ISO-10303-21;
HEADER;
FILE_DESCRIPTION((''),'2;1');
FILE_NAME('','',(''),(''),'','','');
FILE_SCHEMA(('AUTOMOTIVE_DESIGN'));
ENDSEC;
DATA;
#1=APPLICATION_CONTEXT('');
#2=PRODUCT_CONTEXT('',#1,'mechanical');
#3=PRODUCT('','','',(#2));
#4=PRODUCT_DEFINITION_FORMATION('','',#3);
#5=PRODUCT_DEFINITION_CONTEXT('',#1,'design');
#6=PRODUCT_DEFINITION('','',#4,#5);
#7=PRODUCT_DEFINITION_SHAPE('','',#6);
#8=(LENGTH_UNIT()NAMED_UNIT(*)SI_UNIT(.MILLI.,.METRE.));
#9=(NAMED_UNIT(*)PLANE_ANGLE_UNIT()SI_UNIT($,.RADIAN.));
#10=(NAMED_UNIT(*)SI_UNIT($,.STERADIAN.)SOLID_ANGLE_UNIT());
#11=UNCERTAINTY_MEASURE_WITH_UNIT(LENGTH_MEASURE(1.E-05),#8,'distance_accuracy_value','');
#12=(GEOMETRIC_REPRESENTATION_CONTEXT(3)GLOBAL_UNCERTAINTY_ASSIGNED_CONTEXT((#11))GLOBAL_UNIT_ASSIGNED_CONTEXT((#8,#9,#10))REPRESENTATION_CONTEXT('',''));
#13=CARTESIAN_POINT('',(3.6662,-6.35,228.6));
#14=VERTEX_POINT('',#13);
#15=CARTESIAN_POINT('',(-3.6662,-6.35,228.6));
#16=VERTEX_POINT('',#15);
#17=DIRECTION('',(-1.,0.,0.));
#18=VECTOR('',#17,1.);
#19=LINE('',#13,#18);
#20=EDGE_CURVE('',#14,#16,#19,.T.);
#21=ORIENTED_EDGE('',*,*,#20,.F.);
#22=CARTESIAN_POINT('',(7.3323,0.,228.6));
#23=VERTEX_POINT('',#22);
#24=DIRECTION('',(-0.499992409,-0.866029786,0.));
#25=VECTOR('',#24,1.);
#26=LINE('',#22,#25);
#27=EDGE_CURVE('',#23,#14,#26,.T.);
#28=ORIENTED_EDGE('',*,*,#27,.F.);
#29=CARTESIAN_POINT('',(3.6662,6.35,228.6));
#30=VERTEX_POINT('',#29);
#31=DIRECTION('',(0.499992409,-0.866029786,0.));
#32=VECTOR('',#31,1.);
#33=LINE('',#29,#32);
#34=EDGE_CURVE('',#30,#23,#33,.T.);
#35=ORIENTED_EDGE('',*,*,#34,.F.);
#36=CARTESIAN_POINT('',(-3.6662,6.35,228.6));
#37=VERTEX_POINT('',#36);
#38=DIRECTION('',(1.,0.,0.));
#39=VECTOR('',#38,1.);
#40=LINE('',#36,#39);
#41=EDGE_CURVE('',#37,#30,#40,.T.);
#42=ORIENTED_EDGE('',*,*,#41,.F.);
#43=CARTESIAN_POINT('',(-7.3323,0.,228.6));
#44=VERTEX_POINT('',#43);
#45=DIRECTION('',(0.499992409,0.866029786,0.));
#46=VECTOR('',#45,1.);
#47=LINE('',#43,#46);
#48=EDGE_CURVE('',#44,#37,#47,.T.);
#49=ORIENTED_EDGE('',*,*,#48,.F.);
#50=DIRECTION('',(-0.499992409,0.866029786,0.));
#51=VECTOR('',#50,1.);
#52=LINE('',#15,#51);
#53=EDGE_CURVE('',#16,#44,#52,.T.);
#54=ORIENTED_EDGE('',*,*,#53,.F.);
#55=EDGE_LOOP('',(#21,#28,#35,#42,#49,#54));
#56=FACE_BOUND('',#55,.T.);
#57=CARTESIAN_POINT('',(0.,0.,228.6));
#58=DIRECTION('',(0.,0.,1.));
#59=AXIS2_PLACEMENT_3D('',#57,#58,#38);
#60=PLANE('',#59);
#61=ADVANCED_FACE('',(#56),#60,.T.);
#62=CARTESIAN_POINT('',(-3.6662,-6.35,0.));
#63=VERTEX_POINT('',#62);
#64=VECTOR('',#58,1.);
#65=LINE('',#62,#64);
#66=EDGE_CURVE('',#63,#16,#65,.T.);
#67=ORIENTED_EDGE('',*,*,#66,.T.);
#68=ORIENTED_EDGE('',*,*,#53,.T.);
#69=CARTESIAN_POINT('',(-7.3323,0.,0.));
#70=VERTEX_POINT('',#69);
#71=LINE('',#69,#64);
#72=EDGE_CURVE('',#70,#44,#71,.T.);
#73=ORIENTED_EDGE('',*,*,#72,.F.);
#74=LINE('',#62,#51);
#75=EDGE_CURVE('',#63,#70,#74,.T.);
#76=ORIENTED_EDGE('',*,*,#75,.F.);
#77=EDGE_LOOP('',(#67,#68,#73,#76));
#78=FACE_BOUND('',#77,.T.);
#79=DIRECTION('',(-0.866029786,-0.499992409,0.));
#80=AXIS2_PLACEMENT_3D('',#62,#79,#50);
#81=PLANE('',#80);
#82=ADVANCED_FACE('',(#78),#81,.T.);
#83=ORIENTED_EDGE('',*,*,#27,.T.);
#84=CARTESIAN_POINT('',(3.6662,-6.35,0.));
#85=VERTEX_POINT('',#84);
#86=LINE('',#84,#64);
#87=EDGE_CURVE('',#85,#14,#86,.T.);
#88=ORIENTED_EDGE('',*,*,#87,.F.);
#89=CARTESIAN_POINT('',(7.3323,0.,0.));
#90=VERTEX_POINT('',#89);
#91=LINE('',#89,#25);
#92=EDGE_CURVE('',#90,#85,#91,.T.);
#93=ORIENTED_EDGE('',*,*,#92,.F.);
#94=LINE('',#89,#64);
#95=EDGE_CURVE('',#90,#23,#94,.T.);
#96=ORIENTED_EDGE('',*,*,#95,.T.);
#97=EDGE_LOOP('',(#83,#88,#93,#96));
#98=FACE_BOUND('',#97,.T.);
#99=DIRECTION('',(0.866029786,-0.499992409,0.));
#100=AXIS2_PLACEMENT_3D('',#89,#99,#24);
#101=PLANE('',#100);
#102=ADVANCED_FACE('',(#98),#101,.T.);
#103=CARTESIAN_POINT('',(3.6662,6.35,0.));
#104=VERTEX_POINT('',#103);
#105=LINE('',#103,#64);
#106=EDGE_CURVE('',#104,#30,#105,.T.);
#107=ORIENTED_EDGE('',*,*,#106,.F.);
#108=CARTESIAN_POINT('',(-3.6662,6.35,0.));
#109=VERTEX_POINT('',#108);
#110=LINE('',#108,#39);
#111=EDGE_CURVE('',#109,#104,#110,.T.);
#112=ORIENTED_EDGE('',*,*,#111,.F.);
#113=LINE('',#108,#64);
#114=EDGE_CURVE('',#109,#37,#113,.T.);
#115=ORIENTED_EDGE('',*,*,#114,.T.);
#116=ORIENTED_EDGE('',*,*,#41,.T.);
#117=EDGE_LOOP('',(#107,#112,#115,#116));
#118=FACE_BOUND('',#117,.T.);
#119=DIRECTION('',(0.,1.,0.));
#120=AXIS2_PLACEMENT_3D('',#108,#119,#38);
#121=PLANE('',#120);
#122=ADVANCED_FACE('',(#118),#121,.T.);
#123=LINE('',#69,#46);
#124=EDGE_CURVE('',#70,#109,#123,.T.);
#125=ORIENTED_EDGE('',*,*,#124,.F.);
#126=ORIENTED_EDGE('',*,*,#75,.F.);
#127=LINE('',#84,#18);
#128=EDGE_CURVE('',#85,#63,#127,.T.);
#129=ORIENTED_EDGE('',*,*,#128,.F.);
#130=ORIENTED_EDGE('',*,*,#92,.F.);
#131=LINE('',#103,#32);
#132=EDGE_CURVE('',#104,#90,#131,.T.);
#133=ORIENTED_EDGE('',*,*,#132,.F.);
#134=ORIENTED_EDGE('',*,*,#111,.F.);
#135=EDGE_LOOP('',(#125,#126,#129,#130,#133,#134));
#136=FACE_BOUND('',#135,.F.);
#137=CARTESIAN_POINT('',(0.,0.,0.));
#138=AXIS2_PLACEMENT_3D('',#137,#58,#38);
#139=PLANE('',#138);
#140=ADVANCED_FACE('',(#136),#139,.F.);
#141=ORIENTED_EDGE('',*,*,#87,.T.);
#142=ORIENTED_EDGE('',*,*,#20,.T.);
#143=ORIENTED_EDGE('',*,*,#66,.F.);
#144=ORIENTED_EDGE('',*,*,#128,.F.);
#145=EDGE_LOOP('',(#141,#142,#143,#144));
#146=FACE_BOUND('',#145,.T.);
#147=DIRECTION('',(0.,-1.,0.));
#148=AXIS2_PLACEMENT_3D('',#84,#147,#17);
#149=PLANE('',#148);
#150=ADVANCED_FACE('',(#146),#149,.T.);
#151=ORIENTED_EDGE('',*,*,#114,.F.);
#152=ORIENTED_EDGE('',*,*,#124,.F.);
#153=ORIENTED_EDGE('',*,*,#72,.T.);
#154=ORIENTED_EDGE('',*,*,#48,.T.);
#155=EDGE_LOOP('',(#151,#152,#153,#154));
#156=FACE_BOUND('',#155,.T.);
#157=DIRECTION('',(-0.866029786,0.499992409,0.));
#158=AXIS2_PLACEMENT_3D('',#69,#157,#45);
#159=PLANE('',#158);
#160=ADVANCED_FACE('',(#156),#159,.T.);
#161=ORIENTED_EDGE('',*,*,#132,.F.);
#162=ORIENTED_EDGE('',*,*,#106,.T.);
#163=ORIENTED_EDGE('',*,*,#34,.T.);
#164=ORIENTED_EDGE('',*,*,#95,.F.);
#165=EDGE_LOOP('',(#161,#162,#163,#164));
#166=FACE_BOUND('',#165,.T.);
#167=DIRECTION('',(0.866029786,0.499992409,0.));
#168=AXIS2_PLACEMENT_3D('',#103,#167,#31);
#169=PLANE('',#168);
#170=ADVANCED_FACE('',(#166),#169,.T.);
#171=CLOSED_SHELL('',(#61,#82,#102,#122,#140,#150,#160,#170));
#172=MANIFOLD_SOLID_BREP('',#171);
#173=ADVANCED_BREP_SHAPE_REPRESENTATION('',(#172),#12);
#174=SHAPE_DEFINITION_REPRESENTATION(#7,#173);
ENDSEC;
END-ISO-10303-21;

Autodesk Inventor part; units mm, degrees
ref_plane "YZ Plane" through (0, 0, 0) normal (1, 0, 0) x (0, 1, 0)
ref_plane "XZ Plane" through (0, 0, 0) normal (0, 1, 0) x (-1, 0, 0)
ref_plane "XY Plane" through (0, 0, 0) normal (0, 0, 1) x (1, 0, 0)
sketch "Sketch1" plane through (0, 0, 0) normal (0, 0, 1) x (1, 0, 0)
  line L0 (3.6662, 6.35) -> (7.3323, 0)
  line L1 (7.3323, 0) -> (3.6662, -6.35)
  line L2 (3.6662, -6.35) -> (-3.6662, -6.35)
  line L3 (-3.6662, -6.35) -> (-7.3323, 0)
  line L4 (-7.3323, 0) -> (-3.6662, 6.35)
  line L5 (-3.6662, 6.35) -> (3.6662, 6.35)
  point P0 (0, 0)
  point P1 (0, 0)
  dimension "d0" = 12.7
extrude "Extrusion1" add sketch "Sketch1" along normal blind 228.6
properties part number "hex rod 9 inch" material "Steel, Alloy"
